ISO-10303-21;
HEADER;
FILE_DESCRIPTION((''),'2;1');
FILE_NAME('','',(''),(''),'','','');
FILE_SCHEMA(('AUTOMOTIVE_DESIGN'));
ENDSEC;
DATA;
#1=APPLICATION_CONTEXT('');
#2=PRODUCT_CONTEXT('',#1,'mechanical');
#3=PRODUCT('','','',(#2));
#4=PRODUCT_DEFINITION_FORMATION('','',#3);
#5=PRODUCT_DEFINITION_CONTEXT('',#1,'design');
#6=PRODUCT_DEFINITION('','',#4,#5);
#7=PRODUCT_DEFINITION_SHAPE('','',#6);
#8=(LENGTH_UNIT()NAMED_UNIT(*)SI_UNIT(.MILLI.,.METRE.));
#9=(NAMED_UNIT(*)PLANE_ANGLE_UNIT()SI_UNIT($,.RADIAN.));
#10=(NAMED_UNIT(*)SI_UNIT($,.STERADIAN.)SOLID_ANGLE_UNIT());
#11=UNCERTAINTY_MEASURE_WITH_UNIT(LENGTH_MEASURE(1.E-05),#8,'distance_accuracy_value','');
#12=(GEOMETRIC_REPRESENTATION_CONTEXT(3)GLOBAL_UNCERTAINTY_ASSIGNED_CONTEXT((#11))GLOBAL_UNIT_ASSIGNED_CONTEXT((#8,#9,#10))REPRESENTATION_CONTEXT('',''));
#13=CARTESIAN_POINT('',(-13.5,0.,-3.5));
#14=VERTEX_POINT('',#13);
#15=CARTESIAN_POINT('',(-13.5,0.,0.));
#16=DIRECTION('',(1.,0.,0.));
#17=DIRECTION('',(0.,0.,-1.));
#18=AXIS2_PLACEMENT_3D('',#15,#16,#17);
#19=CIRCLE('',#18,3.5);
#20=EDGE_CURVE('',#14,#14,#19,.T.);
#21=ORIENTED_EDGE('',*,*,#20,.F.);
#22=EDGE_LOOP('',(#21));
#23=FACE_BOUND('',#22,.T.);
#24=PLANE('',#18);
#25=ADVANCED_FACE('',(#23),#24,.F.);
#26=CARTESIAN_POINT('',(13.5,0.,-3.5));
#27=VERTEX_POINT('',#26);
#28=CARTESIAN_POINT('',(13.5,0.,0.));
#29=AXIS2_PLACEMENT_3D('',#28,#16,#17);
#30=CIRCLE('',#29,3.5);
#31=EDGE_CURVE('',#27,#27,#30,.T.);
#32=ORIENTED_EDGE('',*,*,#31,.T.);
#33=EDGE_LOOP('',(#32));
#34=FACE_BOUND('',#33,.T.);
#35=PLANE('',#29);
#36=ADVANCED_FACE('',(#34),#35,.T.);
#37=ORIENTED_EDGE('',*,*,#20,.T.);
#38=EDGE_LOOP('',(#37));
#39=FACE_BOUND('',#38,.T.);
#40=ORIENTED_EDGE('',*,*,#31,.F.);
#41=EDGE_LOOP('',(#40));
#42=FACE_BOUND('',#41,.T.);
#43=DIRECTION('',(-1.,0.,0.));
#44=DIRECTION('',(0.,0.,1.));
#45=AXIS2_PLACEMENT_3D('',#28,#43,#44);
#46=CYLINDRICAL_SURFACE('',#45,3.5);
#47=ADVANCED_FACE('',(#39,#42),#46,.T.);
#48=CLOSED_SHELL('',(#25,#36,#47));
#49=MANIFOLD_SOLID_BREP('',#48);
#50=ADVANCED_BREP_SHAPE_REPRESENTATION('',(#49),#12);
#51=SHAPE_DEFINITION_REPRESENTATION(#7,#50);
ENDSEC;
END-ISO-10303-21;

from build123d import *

# Parameters (mm, degrees)
SKETCH_1_R      = 3.5
EXTRUDE_1_DEPTH = 13.5


with BuildPart() as part:
    # 草图1 → 凸台-拉伸1 (new, symmetric)
    with BuildSketch(Plane(origin=(0, 0, 0), x_dir=(0, 0, -1), z_dir=(1, 0, 0))):
        Circle(SKETCH_1_R)
    extrude(amount=EXTRUDE_1_DEPTH, both=True)


solid = part.part
